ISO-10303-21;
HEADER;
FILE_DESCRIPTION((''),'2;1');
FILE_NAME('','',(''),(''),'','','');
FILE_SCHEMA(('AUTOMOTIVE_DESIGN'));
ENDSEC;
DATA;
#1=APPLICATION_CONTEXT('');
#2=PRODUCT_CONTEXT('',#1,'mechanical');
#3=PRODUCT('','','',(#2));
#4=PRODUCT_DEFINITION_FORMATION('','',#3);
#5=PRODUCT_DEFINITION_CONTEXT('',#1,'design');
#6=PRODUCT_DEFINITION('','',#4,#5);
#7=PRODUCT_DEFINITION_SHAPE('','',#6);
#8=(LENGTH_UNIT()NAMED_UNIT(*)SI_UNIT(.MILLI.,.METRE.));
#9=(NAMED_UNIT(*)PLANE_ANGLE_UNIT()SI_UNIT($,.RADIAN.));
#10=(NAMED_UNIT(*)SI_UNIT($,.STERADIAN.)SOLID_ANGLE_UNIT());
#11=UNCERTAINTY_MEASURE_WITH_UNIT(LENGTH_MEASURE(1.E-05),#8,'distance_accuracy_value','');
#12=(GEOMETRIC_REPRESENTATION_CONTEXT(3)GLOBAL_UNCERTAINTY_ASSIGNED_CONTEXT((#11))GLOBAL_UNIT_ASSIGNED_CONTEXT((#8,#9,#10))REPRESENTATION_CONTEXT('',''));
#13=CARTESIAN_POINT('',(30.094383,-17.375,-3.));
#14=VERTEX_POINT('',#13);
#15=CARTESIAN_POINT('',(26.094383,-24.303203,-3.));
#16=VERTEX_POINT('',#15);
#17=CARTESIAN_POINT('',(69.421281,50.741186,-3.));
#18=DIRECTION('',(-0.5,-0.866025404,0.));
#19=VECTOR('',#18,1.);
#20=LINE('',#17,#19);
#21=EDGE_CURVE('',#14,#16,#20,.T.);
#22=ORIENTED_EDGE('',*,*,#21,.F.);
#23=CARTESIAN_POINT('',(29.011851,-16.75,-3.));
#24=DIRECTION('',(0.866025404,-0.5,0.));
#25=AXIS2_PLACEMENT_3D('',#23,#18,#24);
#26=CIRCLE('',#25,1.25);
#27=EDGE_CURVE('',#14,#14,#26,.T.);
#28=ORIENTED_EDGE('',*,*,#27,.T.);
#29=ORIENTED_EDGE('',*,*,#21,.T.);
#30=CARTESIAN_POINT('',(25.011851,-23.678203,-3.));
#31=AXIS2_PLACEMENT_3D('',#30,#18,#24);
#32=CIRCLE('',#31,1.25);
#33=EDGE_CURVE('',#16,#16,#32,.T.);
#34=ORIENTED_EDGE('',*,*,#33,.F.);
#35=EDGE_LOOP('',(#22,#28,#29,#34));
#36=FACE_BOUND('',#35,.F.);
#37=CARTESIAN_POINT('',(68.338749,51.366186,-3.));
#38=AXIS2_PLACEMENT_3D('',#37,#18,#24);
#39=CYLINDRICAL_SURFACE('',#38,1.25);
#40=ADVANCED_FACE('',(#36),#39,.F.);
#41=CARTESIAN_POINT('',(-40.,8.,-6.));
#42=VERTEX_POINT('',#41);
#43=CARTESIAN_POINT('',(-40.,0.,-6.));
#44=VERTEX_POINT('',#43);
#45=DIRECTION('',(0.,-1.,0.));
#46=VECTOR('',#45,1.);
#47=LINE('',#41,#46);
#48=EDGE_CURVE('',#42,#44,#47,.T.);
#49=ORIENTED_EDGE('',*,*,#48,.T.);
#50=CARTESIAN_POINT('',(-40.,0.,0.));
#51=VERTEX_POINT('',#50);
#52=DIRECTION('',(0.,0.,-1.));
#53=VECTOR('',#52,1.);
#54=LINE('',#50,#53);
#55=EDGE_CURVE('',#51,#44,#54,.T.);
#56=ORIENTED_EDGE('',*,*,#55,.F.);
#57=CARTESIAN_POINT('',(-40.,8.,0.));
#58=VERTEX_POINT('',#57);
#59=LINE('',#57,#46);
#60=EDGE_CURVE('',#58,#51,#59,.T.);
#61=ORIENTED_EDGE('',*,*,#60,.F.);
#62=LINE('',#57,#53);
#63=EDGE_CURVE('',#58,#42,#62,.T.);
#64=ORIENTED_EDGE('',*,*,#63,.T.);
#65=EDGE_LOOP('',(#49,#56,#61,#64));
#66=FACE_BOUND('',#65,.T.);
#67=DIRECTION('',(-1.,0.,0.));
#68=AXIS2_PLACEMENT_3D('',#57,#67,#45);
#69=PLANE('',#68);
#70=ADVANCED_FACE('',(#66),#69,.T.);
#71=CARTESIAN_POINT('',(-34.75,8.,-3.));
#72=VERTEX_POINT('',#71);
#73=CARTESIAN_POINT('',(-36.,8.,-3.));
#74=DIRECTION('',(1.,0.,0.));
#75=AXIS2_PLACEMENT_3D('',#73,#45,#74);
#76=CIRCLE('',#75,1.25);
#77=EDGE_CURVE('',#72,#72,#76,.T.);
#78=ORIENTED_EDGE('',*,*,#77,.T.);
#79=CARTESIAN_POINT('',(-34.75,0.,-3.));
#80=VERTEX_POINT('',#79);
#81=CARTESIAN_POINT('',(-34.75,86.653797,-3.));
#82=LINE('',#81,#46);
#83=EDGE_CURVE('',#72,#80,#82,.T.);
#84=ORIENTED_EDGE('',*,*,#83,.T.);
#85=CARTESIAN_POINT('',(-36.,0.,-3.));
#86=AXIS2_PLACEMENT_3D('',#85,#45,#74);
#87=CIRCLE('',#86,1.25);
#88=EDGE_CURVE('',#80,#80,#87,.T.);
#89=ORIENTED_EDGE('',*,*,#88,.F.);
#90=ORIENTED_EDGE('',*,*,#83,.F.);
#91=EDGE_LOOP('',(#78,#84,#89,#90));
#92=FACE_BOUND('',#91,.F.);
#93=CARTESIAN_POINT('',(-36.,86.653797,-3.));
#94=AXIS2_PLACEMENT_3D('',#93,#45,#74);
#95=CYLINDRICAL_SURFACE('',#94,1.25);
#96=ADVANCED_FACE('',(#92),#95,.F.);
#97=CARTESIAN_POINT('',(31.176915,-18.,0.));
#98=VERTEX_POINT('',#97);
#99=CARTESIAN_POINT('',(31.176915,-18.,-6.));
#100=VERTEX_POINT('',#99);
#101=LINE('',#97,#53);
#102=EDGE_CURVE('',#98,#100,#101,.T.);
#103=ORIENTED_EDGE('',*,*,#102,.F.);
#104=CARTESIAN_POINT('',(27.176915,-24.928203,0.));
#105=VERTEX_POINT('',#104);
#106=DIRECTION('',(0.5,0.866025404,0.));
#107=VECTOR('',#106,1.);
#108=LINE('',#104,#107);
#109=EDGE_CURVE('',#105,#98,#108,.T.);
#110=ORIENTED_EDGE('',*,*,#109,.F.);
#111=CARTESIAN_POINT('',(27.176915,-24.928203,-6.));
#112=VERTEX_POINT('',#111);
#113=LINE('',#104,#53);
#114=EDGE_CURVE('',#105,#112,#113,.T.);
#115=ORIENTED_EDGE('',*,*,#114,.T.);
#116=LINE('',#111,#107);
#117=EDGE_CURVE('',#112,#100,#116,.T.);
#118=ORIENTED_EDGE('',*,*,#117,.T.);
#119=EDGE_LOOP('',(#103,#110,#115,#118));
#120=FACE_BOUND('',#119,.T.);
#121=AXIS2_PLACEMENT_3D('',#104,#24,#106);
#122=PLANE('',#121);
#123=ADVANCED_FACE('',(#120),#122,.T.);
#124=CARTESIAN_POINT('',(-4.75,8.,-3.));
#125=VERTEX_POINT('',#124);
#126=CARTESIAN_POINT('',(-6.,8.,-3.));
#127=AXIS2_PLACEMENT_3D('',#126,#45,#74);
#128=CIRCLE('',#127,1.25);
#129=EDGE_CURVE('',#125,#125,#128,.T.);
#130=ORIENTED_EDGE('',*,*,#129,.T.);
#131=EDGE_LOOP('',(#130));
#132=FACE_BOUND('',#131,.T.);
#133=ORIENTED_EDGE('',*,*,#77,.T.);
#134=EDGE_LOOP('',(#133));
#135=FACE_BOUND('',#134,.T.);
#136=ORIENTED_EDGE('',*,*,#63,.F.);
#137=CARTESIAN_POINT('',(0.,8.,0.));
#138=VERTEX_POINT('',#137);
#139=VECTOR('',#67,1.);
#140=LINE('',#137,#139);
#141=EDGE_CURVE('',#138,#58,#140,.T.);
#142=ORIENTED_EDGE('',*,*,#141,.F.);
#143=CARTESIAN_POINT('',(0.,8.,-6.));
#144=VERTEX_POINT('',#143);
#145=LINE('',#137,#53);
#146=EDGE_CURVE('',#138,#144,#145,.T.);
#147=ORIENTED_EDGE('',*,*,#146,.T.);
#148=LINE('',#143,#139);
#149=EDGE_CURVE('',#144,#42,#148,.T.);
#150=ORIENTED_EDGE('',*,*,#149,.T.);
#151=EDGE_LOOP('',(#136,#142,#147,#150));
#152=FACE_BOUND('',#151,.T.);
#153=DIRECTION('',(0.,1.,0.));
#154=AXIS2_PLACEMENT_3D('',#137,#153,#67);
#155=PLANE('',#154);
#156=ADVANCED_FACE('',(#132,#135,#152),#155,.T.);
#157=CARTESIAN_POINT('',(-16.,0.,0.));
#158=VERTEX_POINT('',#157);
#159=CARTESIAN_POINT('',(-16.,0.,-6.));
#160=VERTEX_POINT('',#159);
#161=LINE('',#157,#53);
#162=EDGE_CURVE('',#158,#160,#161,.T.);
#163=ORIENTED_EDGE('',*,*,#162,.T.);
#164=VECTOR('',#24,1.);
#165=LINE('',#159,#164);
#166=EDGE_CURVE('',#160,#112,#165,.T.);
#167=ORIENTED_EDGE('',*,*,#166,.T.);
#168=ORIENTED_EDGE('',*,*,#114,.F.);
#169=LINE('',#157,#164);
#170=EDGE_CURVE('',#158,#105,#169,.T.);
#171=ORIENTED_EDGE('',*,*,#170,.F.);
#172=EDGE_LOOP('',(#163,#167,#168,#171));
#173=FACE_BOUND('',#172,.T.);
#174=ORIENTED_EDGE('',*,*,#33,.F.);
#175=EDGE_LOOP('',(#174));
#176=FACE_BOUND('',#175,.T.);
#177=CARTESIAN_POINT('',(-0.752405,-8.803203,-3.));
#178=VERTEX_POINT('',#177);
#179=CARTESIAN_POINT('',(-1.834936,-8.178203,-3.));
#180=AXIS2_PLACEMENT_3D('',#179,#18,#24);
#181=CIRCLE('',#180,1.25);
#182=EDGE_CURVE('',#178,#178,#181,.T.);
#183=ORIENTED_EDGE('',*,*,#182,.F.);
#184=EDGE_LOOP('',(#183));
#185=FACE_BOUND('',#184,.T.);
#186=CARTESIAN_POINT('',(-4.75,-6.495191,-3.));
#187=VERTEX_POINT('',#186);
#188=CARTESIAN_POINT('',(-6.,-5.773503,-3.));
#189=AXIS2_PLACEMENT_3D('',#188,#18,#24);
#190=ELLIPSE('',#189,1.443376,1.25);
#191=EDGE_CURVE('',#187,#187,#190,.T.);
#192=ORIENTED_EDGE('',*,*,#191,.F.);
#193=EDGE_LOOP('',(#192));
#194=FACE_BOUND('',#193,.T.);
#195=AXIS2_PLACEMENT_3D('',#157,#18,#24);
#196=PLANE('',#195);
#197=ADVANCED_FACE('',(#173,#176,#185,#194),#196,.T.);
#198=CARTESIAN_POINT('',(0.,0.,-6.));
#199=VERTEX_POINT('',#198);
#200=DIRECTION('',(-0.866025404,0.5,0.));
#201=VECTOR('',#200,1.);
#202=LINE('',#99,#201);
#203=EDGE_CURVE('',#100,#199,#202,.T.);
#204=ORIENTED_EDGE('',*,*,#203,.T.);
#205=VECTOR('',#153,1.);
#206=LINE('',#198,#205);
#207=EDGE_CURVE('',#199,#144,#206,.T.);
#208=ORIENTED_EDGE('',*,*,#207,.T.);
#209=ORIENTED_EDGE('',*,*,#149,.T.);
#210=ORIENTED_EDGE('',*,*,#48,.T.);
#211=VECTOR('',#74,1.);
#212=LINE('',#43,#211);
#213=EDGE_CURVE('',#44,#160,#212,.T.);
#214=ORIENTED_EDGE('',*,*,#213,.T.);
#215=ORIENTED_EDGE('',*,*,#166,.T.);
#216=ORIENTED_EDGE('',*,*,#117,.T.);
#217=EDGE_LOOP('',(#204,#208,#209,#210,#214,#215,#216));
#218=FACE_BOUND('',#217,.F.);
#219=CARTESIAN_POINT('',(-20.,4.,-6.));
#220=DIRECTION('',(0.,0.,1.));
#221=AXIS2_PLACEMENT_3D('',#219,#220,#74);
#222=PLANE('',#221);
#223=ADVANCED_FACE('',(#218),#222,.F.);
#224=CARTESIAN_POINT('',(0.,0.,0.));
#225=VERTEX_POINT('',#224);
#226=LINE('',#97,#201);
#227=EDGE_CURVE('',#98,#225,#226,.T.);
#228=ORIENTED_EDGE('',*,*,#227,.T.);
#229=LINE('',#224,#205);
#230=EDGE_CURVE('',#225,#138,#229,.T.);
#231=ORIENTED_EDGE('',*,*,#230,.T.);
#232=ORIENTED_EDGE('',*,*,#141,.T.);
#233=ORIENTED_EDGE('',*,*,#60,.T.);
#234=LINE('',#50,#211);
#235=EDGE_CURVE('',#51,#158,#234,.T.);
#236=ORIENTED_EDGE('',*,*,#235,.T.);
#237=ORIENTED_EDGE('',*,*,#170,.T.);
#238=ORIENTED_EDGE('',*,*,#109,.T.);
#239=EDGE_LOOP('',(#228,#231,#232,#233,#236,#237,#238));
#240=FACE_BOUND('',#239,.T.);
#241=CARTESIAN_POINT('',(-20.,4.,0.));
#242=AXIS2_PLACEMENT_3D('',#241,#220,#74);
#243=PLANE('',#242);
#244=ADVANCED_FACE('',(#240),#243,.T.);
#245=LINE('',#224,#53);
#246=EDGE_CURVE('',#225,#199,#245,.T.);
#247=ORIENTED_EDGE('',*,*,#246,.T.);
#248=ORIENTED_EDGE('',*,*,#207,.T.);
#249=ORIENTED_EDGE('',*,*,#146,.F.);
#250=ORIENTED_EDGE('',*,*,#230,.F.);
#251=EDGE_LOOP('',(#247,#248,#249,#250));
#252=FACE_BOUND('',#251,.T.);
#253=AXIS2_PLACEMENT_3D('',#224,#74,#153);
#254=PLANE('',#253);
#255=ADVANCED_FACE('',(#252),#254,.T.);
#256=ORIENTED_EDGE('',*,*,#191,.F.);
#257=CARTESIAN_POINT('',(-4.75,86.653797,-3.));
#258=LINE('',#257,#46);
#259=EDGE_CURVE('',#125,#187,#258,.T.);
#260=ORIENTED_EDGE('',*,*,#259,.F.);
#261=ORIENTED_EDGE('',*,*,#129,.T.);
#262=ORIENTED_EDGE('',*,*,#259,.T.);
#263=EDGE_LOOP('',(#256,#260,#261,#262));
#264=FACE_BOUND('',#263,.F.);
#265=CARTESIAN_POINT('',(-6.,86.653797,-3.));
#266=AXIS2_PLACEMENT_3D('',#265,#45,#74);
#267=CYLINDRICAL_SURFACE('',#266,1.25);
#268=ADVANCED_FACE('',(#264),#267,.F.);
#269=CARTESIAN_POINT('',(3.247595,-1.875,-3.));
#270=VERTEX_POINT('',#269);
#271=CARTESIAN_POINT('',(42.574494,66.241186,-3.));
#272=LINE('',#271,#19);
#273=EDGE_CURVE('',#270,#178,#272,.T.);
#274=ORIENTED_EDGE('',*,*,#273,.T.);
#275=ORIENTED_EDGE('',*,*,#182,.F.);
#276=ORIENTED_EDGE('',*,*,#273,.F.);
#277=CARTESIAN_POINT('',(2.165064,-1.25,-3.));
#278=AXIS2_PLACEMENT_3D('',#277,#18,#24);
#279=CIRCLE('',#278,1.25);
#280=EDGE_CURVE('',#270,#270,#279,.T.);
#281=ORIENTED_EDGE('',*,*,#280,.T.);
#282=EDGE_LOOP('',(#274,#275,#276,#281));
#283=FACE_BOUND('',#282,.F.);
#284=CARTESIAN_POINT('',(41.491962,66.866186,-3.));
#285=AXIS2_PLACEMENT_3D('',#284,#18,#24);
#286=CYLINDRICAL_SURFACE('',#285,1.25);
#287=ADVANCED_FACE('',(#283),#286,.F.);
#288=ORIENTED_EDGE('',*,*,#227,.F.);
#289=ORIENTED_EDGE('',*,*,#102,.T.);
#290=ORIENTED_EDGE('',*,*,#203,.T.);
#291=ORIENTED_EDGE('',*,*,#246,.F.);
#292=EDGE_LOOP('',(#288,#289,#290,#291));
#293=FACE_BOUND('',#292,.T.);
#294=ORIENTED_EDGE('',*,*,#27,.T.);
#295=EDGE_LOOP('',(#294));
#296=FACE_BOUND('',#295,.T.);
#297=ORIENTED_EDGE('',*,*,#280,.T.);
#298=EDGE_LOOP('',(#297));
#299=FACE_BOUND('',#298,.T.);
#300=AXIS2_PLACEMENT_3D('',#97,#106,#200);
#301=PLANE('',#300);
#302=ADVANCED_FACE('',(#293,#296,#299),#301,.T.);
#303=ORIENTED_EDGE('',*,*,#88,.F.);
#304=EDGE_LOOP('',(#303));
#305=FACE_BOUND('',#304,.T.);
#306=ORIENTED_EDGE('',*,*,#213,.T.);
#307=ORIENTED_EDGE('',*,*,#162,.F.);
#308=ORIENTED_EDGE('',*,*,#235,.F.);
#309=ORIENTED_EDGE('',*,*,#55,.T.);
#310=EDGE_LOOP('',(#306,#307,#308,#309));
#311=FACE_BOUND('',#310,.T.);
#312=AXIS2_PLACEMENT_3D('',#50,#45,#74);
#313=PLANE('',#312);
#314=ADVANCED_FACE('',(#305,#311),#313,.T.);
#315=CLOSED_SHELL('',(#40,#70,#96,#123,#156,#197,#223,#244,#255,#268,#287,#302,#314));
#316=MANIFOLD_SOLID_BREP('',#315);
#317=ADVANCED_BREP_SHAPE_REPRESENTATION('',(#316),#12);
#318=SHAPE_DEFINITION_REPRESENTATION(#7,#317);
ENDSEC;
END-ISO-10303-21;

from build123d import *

# Parameters (mm, degrees)
F1_DEPTH   = 6
F4_D       = 2.5
F4_ON_F2_D = 2.5


with BuildPart() as f1:
    # F0 (on Top) → F1 (new body)
    with BuildSketch(Plane.XY):
        Polygon((-16, 0), (0, 0), (0, 8), (-40, 8), (-40, 0), align=None)
        Polygon((31.1769145362, -18), (0, 0), (-16, 0), (27.1769145362, -24.9282032303), align=None)
    extrude(amount=-F1_DEPTH)

    # F4 (through all)
    with Locations(Plane(origin=(0, 0, 0), x_dir=(-0.8660254038, 0.5, 0), z_dir=(0.5, 0.8660254038, 0))):
        with Locations((-33.5, -3), (-2.5, -3)):
            Hole(F4_D / 2)

    # F4 on F2 (through all)
    with Locations(Plane(origin=(0, 8, 0), x_dir=(-1, 0, 0), z_dir=(0, 1, 0))):
        with Locations((6, -3), (36, -3)):
            Hole(F4_ON_F2_D / 2)


solid = f1.part
